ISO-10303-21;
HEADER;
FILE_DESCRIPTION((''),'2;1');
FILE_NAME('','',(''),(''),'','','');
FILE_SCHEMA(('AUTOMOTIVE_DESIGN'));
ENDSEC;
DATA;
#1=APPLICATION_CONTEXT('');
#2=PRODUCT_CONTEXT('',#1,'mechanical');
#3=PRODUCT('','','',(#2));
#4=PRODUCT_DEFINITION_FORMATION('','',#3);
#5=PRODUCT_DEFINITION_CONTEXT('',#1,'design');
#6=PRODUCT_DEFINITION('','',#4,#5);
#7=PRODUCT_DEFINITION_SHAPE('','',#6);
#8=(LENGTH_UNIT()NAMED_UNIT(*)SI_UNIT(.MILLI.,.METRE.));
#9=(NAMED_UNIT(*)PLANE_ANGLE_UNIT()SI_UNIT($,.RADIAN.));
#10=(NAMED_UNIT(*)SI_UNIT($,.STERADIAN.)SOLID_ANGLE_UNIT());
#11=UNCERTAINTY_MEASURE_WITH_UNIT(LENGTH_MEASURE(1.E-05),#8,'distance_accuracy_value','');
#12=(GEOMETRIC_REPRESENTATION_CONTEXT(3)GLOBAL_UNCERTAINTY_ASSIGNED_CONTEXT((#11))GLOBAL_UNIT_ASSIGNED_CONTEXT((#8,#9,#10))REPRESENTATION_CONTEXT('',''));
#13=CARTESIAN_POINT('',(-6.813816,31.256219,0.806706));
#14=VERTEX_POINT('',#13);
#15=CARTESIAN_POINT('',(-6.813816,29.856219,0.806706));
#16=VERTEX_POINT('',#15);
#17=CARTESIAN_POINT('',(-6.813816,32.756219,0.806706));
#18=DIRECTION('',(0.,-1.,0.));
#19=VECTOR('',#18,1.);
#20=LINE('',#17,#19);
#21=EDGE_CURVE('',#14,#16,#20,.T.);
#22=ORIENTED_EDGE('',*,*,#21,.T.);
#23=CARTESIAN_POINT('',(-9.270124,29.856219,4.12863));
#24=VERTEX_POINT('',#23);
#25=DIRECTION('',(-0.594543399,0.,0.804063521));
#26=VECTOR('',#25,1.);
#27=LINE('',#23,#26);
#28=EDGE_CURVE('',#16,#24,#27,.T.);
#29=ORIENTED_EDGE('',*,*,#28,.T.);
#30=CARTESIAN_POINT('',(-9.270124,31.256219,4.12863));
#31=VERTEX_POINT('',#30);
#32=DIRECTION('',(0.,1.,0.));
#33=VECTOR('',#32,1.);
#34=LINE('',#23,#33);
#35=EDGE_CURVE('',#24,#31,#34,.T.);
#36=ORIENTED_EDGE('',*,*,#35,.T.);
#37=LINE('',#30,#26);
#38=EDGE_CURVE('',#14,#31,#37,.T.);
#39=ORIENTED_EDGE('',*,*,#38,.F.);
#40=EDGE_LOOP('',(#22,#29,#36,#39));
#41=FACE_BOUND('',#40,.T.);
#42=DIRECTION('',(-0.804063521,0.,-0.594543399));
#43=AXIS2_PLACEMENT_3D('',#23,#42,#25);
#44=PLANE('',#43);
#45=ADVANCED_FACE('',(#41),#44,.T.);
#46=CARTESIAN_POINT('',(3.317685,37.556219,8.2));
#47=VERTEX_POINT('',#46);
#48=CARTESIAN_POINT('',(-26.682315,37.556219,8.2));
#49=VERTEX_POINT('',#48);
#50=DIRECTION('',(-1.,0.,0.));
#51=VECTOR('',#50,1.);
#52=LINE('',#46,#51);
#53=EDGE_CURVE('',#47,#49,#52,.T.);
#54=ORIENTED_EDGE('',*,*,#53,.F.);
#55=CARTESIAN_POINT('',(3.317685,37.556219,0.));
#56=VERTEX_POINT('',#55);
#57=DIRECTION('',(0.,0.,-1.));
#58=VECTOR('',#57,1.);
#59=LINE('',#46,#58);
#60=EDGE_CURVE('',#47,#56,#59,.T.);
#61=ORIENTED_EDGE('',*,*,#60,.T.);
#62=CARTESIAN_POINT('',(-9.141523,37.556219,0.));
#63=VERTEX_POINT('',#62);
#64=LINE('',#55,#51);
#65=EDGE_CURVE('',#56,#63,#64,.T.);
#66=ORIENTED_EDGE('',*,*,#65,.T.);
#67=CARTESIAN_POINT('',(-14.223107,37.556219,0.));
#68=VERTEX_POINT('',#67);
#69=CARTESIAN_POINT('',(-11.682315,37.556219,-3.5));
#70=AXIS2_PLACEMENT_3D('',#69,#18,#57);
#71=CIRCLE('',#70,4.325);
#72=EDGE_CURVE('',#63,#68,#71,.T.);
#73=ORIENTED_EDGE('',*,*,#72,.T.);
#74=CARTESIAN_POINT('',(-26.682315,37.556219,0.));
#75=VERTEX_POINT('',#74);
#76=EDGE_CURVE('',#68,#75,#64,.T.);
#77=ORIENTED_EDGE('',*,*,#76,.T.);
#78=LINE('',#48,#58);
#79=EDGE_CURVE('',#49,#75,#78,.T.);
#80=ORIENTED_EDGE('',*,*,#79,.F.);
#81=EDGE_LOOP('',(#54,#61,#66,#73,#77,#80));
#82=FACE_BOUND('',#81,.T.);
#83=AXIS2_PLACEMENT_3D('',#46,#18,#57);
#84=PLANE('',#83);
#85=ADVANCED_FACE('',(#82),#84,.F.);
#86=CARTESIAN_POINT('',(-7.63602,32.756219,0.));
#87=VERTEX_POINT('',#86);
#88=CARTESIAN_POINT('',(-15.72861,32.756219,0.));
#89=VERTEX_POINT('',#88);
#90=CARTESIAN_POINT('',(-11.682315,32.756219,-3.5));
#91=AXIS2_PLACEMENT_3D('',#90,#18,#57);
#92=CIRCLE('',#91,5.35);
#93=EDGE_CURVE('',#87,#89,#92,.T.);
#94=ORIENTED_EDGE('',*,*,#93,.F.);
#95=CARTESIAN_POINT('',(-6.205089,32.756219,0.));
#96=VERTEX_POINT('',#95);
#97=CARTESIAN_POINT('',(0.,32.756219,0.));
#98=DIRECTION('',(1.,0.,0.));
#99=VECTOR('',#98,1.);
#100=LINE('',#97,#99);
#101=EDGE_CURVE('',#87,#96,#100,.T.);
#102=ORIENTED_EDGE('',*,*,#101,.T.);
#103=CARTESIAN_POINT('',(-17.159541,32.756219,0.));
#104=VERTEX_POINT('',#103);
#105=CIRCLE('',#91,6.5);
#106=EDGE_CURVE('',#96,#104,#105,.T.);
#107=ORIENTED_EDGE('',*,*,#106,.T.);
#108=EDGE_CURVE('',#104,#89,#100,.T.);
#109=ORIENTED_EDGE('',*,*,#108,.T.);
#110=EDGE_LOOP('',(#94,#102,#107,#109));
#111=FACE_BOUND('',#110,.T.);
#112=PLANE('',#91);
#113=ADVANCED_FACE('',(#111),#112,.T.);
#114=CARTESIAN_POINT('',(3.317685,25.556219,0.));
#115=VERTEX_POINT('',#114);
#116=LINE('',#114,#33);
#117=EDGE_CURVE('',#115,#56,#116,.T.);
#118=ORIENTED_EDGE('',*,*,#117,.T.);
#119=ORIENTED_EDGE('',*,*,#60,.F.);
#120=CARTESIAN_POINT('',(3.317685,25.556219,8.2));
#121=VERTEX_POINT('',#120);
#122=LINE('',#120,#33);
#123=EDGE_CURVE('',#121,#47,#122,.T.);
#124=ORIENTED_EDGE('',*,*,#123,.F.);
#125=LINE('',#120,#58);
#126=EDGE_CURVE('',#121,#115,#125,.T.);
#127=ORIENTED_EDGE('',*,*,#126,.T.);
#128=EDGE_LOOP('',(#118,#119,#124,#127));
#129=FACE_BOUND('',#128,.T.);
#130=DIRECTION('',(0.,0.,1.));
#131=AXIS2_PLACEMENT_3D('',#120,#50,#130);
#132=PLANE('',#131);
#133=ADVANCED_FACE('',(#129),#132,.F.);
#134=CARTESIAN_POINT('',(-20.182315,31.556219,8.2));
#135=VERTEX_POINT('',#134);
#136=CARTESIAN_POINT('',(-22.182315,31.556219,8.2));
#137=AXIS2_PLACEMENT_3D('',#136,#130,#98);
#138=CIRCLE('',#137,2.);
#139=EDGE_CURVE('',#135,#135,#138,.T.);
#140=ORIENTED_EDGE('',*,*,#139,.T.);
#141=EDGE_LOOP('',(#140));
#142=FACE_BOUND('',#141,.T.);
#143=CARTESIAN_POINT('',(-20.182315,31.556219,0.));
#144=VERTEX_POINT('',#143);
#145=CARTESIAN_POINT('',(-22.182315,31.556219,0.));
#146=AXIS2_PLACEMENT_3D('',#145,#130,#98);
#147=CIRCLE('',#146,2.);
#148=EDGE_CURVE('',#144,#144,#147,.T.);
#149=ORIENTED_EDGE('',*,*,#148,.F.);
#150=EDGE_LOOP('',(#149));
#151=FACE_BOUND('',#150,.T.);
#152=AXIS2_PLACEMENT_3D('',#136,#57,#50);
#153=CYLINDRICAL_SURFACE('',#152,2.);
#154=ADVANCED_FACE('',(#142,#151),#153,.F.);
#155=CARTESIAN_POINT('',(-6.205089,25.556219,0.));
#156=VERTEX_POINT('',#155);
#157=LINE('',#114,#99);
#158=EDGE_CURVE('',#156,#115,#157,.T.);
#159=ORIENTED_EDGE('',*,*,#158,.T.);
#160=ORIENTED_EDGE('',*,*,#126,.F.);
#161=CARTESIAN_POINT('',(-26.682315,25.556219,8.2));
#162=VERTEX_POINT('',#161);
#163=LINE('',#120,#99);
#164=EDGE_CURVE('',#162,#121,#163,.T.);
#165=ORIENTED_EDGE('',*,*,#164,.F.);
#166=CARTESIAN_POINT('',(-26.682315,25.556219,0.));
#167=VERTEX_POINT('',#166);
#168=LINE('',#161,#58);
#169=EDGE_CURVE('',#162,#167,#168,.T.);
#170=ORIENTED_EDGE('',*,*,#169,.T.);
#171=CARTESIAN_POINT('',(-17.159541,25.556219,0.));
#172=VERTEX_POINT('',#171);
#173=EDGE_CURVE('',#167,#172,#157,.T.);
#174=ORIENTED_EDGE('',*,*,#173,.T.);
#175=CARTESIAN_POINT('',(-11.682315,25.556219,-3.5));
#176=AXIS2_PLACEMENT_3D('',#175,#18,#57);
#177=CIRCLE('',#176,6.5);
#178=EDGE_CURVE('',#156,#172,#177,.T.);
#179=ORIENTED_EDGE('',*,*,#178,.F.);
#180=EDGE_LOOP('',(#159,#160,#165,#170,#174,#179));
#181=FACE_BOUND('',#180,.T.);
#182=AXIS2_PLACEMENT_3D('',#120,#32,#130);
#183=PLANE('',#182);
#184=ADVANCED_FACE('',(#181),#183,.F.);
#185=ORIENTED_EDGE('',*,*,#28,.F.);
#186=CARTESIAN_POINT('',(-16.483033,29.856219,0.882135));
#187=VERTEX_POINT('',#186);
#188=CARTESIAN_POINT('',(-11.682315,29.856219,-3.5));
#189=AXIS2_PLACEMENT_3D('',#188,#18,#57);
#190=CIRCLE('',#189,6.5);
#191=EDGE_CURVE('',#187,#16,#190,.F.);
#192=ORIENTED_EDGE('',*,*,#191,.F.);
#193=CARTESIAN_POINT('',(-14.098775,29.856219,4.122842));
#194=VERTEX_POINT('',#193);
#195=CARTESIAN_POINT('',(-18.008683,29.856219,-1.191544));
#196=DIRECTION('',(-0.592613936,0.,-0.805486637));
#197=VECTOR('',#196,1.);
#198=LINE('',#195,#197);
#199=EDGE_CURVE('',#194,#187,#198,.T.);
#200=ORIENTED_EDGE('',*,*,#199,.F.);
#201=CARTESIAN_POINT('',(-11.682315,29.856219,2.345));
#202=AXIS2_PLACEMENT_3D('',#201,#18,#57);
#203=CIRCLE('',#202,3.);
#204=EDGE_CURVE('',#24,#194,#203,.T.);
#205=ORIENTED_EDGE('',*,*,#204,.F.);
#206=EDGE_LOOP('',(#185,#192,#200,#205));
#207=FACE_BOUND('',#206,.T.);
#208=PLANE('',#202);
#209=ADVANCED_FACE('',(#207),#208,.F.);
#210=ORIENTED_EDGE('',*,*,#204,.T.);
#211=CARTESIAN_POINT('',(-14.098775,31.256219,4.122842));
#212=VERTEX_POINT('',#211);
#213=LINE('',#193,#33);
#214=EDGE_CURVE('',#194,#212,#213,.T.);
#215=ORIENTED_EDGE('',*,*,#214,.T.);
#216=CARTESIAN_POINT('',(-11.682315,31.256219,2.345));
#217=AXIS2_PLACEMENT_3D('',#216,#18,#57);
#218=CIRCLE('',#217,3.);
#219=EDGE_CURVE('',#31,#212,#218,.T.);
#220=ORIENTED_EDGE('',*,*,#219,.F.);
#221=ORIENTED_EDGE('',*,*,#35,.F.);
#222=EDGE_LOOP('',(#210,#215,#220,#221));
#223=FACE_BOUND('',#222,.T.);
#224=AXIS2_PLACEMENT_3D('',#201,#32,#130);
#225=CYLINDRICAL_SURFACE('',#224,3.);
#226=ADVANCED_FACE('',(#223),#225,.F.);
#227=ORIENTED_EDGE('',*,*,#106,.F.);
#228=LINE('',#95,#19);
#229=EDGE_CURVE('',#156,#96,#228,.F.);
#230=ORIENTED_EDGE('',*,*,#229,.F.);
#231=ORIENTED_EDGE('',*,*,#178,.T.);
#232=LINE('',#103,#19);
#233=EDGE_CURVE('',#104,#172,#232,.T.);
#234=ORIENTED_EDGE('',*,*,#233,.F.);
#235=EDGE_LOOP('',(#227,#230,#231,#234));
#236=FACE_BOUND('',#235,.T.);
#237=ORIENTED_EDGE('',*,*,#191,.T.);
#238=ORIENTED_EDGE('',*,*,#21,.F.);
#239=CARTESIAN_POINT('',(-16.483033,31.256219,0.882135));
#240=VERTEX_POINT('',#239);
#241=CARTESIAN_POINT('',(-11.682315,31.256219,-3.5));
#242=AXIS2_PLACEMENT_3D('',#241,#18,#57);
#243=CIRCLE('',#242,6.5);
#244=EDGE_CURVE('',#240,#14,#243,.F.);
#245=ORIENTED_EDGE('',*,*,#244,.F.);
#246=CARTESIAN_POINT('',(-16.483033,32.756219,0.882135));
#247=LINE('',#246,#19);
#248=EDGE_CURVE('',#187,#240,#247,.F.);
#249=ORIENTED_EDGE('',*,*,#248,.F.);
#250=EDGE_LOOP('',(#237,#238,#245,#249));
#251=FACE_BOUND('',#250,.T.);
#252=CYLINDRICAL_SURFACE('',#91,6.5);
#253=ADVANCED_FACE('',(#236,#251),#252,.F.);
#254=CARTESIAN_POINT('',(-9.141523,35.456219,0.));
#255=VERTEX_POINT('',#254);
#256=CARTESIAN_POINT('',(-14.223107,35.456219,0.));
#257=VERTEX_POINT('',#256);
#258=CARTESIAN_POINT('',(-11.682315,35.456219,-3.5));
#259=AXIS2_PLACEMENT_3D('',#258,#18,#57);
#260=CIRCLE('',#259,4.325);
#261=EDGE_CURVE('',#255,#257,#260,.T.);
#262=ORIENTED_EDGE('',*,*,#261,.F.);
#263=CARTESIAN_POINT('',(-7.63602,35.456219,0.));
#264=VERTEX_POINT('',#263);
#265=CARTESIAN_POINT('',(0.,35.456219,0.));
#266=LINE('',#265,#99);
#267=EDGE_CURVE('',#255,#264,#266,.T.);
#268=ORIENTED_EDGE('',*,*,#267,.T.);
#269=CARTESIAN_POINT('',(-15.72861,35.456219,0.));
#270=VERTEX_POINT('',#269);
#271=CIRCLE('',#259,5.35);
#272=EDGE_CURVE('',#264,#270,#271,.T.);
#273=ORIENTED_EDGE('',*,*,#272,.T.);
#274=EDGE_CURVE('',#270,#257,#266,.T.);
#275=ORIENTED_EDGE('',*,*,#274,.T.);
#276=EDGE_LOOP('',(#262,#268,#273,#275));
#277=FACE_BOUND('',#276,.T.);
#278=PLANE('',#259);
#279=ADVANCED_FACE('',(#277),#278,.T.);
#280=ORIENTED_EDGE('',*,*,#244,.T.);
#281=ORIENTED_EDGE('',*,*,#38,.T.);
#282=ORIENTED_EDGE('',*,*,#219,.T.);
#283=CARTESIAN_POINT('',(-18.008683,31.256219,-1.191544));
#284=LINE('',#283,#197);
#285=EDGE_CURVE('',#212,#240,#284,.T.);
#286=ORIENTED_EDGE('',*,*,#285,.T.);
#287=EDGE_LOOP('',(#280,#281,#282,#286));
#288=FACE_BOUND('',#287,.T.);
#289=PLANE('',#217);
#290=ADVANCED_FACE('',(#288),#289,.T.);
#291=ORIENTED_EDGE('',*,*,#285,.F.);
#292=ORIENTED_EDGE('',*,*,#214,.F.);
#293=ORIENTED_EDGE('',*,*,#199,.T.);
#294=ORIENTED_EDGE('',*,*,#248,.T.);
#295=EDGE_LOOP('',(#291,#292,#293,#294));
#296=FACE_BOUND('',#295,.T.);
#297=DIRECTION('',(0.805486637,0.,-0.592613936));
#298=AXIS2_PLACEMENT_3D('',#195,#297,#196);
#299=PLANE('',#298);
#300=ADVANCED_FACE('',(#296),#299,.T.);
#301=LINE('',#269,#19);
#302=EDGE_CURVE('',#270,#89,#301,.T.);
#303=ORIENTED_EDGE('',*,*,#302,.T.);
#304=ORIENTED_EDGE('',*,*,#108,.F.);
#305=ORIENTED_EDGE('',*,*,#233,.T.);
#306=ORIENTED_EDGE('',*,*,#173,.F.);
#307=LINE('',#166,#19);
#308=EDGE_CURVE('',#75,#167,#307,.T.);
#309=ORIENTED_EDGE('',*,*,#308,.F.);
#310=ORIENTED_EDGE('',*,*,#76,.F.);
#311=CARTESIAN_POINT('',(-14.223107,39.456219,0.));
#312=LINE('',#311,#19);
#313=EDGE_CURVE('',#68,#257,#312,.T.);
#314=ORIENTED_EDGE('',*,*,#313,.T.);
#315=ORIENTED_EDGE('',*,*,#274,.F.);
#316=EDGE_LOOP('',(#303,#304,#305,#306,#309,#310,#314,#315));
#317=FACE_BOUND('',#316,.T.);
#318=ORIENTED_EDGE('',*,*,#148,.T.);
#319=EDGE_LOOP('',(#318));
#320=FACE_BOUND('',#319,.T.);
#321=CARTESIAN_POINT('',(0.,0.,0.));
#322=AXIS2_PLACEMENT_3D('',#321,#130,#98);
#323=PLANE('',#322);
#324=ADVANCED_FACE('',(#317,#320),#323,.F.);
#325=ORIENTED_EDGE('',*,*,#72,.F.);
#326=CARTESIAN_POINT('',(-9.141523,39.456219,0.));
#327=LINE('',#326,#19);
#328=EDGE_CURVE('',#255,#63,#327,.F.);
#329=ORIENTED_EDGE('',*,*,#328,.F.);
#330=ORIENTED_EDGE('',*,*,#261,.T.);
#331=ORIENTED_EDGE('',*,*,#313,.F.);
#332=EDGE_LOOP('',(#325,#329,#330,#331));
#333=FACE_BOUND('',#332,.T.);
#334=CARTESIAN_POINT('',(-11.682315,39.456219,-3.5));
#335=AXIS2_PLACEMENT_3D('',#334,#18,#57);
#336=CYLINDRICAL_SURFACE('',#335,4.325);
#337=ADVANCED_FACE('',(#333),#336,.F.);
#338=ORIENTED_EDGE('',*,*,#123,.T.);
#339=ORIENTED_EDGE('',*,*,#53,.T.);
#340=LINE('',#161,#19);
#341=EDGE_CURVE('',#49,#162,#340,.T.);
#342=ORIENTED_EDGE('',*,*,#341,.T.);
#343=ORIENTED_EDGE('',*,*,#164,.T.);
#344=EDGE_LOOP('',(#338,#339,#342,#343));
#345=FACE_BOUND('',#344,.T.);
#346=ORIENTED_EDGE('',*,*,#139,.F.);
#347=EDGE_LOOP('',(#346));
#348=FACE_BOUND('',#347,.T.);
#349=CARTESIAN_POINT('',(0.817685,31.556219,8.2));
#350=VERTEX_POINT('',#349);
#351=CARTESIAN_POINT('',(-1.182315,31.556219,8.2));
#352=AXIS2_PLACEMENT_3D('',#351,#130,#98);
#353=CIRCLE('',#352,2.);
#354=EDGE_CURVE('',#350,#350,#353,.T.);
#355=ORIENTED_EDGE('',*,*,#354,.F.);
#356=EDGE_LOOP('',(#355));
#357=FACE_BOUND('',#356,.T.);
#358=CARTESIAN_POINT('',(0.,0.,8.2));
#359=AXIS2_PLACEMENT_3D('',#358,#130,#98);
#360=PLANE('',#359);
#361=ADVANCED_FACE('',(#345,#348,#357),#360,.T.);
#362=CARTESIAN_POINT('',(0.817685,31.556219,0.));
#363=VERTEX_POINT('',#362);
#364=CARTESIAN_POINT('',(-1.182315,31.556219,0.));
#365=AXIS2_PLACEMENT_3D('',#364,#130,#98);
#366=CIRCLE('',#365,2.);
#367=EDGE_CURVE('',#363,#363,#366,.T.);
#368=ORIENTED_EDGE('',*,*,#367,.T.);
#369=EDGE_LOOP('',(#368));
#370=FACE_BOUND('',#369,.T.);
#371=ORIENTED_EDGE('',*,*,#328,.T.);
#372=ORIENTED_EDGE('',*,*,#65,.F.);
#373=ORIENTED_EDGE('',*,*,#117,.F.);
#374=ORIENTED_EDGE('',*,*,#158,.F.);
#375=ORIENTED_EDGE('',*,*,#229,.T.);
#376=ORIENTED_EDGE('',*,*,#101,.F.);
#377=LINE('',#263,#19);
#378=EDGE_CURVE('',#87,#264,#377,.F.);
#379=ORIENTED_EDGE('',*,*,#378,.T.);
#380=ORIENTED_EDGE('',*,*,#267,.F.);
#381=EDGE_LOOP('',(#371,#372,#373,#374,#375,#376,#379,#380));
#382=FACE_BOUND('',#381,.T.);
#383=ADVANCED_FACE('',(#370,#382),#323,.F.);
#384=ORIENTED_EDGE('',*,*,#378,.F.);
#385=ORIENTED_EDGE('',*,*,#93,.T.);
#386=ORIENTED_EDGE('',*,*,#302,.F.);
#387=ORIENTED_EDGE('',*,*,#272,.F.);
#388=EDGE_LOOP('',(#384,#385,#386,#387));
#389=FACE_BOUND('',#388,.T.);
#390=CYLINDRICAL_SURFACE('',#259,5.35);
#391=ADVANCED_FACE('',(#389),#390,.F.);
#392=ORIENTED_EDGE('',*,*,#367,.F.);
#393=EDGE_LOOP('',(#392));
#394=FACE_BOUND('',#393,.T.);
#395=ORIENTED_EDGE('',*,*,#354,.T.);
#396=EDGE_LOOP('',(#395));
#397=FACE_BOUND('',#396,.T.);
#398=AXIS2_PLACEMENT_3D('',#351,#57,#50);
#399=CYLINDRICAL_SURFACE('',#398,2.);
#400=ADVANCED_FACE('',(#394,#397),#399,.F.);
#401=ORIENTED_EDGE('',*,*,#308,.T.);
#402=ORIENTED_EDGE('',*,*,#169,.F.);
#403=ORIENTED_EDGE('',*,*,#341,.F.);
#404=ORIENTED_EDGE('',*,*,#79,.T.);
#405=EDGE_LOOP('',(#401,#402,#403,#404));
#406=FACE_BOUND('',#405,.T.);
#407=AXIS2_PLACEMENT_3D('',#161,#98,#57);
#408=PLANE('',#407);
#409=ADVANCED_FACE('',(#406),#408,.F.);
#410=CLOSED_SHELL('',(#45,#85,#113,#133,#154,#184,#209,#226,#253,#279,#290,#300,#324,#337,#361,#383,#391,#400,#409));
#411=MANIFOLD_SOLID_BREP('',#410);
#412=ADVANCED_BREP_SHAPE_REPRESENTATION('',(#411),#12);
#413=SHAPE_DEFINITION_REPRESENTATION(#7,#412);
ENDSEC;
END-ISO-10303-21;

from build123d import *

# Parameters (mm, degrees)
SKETCH1_W           = 30
SKETCH1_H           = 12
SKETCH1_R           = 2
BOSS_EXTRUDE1_DEPTH = 8.2
SKETCH2_R           = 6.5
CUT_EXTRUDE1_DEPTH  = 7.2
SKETCH3_R           = 5.35
CUT_EXTRUDE2_DEPTH  = 9.9
SKETCH4_R           = 4.325
CUT_EXTRUDE3_DEPTH  = 13.9
CUT_EXTRUDE4_START  = -5.7
CUT_EXTRUDE4_DEPTH  = 1.4


with BuildPart() as part:
    # Sketch1 → Boss-Extrude1 (new body)
    with BuildSketch(Plane.XY):
        with Locations((-11.682314935, 31.556218858)):
            Rectangle(SKETCH1_W, SKETCH1_H)
        with Locations((-22.182314935, 31.556218858)):
            Circle(SKETCH1_R, mode=Mode.SUBTRACT)
        with Locations((-1.182314935, 31.556218858)):
            Circle(SKETCH1_R, mode=Mode.SUBTRACT)
    extrude(amount=BOSS_EXTRUDE1_DEPTH)

    # Sketch2 → Cut-Extrude1 (cut)
    with BuildSketch(Plane(origin=(0, 25.556218858, 0), x_dir=(-1, 0, 0), z_dir=(0, -1, 0))):
        with Locations((11.682314935, 3.5)):
            Circle(SKETCH2_R)
    extrude(amount=-CUT_EXTRUDE1_DEPTH, mode=Mode.SUBTRACT)

    # Sketch3 → Cut-Extrude2 (cut)
    with BuildSketch(Plane(origin=(0, 25.556218858, 0), x_dir=(-1, 0, 0), z_dir=(0, -1, 0))):
        with Locations((11.682314935, 3.5)):
            Circle(SKETCH3_R)
    extrude(amount=-CUT_EXTRUDE2_DEPTH, mode=Mode.SUBTRACT)

    # Sketch4 → Cut-Extrude3 (cut)
    with BuildSketch(Plane(origin=(0, 25.556218858, 0), x_dir=(-1, 0, 0), z_dir=(0, -1, 0))):
        with Locations((11.682314935, 3.5)):
            Circle(SKETCH4_R)
    extrude(amount=-CUT_EXTRUDE3_DEPTH, mode=Mode.SUBTRACT)

    # Sketch5 → Cut-Extrude4 (cut)
    with BuildSketch(Plane(origin=(0, 25.556218858, 0), x_dir=(-1, 0, 0), z_dir=(0, -1, 0)).offset(CUT_EXTRUDE4_START)):
        with BuildLine():
            Line((9.270124371, -4.128630198), (5.336263245, 1.191543622))
            Line((5.336263245, 1.191543622), (18.008683121, 1.191543622))
            Line((18.008683121, 1.191543622), (14.098774847, -4.122841808))
            ThreePointArc((14.098774847, -4.122841808), (11.685911211, -5.344997844), (9.270124371, -4.128630198))
        make_face()
    extrude(amount=CUT_EXTRUDE4_DEPTH, mode=Mode.SUBTRACT)


solid = part.part
